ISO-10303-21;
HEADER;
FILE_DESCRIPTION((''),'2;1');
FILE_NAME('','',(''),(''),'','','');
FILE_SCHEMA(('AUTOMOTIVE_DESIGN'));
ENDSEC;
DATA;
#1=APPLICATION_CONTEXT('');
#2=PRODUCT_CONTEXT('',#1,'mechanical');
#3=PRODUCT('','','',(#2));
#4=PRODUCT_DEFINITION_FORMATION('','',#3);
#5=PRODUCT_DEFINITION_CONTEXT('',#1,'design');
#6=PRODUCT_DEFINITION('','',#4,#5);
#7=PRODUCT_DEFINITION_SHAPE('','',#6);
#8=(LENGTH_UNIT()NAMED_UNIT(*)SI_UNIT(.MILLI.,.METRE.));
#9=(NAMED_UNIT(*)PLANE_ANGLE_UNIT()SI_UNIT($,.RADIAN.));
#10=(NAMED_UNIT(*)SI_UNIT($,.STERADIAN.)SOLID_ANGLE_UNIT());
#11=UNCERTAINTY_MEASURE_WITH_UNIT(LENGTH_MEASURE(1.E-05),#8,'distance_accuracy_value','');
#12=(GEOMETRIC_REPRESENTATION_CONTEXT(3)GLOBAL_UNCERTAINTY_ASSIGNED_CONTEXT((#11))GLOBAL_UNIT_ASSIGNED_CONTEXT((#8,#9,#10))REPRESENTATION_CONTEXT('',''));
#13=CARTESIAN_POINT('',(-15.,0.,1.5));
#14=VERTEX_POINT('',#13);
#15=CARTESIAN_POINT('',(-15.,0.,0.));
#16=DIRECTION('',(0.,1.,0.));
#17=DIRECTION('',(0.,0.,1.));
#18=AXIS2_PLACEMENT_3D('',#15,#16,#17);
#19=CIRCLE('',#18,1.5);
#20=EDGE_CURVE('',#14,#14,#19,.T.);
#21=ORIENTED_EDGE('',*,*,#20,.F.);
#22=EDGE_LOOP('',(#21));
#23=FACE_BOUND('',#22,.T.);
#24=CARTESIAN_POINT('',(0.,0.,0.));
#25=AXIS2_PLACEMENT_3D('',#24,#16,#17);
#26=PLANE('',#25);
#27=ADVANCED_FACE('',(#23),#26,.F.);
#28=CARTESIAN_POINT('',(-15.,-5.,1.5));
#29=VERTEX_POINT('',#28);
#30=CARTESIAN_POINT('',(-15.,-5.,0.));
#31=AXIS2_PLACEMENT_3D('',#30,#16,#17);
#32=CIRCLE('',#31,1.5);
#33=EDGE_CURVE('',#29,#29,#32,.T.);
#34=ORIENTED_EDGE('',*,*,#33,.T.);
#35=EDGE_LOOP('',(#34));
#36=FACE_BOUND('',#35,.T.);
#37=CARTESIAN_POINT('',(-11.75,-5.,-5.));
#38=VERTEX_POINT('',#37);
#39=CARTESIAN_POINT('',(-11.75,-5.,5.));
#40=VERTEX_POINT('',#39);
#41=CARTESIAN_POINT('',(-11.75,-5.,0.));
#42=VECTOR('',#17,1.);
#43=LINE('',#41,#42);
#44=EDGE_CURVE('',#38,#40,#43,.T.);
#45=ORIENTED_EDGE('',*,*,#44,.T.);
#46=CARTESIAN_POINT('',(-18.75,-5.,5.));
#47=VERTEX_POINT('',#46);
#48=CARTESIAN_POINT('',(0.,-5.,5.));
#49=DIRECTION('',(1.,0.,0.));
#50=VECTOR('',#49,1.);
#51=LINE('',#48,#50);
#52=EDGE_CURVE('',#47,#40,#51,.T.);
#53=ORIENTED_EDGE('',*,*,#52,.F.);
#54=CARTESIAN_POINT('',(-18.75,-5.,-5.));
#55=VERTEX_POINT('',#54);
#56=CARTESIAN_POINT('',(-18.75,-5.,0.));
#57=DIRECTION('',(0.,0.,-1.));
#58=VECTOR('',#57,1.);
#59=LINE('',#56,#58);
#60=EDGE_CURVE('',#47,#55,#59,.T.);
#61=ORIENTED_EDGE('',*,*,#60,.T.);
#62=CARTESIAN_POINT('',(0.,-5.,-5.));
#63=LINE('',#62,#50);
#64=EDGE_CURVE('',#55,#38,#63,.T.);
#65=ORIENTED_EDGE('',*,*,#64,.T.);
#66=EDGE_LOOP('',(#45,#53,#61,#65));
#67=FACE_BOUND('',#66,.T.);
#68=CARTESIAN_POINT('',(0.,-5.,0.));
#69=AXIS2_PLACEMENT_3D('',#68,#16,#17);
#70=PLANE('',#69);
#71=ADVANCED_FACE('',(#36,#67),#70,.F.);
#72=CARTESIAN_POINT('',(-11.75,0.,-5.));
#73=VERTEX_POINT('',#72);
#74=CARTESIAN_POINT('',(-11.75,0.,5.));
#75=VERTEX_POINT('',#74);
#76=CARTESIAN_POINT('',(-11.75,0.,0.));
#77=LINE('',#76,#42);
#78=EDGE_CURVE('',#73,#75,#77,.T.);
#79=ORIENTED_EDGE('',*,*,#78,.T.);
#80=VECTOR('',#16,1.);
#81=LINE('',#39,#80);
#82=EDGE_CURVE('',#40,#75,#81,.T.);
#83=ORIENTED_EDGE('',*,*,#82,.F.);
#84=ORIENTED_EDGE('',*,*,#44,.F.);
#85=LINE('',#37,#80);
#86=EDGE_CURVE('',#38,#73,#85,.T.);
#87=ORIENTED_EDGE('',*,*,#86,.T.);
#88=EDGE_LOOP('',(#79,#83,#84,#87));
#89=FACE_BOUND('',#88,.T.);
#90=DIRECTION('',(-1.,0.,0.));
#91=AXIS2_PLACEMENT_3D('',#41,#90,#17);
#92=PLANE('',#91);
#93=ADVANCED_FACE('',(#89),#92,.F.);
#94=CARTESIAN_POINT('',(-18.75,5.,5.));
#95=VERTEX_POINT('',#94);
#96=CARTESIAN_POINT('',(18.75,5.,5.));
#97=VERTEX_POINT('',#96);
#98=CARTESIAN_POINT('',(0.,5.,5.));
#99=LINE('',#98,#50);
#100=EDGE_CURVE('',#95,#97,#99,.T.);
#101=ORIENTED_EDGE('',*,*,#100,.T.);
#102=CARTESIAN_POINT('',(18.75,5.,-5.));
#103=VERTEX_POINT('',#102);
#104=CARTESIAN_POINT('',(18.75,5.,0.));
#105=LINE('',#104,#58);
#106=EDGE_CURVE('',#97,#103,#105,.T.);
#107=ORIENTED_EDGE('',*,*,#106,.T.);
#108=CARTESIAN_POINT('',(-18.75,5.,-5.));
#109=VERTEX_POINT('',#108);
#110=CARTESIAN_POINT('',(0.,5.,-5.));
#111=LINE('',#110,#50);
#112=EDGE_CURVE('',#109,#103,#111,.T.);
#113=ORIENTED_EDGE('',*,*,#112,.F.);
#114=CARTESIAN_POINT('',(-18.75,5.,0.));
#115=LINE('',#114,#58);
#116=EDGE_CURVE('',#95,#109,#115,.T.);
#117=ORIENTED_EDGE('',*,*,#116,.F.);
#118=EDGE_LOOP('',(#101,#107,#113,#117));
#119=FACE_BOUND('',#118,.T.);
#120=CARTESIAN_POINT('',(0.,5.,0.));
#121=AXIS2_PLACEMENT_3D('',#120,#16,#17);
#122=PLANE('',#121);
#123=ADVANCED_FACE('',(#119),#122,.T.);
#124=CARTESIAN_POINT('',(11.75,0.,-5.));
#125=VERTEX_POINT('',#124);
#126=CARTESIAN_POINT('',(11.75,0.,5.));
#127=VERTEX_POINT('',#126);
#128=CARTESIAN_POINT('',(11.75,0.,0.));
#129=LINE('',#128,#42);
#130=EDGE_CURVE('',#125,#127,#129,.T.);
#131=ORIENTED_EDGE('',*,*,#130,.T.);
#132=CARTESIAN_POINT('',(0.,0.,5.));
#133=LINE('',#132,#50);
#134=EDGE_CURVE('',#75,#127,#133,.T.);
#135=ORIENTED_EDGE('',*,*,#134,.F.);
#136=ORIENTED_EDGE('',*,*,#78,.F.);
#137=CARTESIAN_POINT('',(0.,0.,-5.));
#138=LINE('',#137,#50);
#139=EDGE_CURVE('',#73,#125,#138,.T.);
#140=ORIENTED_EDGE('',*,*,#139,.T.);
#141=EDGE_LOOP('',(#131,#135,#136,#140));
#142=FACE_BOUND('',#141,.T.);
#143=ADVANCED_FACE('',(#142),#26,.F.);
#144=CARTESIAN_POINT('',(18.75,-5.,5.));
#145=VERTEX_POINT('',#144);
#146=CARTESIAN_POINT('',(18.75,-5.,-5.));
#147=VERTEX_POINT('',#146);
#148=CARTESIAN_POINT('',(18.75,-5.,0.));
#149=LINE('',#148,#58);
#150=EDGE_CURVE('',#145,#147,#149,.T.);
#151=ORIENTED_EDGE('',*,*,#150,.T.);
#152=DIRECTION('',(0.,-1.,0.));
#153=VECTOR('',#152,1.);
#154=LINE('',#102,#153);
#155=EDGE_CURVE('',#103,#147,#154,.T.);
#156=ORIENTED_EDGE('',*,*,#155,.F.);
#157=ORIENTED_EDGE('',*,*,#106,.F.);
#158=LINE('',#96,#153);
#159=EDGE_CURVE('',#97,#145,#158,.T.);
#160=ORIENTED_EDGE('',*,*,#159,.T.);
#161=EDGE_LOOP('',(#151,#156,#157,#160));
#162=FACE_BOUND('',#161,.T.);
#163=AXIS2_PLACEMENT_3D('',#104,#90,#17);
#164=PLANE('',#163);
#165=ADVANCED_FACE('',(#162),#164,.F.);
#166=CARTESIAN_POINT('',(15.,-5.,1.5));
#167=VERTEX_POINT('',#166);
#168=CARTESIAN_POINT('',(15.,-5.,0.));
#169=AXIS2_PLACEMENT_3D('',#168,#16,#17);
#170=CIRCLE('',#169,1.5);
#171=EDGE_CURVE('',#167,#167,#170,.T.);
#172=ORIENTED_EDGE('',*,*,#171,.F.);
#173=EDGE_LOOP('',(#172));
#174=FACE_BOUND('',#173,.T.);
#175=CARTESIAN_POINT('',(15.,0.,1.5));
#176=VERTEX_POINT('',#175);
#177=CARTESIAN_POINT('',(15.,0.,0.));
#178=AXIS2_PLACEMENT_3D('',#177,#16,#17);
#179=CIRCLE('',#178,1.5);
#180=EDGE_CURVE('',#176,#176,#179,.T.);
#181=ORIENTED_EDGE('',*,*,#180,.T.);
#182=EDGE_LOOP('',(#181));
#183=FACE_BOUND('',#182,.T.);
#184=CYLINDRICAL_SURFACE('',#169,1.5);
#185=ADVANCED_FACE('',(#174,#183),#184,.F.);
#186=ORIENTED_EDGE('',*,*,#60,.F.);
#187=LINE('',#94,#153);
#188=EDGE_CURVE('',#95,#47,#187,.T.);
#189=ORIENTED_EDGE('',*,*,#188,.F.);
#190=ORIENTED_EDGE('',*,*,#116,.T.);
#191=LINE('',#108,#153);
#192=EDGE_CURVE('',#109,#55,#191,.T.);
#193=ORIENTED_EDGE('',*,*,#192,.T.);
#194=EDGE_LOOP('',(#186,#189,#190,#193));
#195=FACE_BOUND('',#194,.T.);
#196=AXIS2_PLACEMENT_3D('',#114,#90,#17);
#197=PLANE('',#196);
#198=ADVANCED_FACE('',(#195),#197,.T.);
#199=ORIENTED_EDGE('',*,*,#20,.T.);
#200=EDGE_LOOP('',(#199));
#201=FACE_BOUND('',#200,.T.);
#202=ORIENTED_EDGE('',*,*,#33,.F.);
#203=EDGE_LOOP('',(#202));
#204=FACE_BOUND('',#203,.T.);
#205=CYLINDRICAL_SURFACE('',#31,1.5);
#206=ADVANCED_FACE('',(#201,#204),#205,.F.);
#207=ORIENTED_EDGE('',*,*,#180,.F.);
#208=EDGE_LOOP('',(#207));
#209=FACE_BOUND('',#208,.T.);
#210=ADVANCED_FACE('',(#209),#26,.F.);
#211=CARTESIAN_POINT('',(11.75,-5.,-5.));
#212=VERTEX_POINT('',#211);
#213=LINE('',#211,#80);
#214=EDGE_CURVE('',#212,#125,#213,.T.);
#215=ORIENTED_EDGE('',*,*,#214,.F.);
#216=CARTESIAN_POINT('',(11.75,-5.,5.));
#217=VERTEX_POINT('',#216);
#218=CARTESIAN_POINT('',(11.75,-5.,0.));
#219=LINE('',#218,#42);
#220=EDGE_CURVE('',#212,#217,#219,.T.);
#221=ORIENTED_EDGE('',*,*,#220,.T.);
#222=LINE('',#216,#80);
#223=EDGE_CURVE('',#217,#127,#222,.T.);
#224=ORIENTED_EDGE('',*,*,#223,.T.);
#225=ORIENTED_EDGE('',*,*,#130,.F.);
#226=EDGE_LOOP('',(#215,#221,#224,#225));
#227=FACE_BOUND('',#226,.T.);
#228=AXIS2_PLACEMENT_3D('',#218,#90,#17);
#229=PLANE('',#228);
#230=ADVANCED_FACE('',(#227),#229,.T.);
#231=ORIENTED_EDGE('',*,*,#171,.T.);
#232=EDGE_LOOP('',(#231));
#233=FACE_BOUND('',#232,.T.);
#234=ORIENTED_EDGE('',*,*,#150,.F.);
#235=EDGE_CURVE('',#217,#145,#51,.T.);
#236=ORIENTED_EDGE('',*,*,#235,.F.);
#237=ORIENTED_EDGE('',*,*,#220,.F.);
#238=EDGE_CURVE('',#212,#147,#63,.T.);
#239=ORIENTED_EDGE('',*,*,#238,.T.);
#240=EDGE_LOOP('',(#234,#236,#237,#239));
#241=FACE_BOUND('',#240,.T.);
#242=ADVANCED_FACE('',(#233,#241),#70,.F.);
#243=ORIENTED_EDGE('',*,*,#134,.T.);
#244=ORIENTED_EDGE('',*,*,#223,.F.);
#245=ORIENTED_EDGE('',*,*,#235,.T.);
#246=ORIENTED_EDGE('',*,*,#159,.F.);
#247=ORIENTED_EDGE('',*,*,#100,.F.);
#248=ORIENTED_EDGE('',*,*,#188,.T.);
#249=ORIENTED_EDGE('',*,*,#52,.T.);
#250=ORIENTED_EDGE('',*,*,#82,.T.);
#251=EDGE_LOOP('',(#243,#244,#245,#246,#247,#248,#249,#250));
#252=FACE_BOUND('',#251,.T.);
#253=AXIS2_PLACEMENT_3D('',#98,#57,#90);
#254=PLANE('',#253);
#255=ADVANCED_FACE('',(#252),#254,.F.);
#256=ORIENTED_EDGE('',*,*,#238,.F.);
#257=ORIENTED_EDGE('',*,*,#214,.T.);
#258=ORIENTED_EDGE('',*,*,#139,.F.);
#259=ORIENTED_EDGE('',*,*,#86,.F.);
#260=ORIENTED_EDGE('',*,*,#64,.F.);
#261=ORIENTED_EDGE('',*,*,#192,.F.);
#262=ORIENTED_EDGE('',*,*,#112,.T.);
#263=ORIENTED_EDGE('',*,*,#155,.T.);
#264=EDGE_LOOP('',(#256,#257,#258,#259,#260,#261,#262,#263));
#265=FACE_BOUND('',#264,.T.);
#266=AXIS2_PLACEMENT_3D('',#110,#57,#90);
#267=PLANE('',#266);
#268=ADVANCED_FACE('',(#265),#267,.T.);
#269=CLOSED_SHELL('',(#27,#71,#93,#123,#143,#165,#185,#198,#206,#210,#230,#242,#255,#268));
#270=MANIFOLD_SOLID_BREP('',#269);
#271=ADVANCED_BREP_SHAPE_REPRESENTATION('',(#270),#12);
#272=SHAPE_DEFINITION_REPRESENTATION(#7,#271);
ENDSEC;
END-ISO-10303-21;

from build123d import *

# Parameters (mm, degrees)
CROQUIS1_W              = 37.5
CROQUIS1_H              = 10
SALIENTE_EXTRUIR1_DEPTH = 5
CROQUIS1_3_W            = 7
CROQUIS1_3_H            = 10
CROQUIS1_3_R            = 1.5
SALIENTE_EXTRUIR2_DEPTH = 5


with BuildPart() as part:
    # Croquis1 → Saliente-Extruir1 (new body)
    with BuildSketch(Plane(origin=(0, 0, 0), x_dir=(1, 0, 0), z_dir=(0, 1, 0))):
        Rectangle(CROQUIS1_W, CROQUIS1_H)
    extrude(amount=SALIENTE_EXTRUIR1_DEPTH)

    # Croquis1<3> → Saliente-Extruir2 (add)
    # profile 1 of 2: a face of its own
    with BuildSketch(Plane(origin=(0, 0, 0), x_dir=(1, 0, 0), z_dir=(0, 1, 0))):
        with Locations((-15.25, 0)):
            Rectangle(CROQUIS1_3_W, CROQUIS1_3_H)
        with Locations((-15, 0)):
            Circle(CROQUIS1_3_R, mode=Mode.SUBTRACT)
    # profile 2 of 2: a face of its own
    with BuildSketch(Plane(origin=(0, 0, 0), x_dir=(1, 0, 0), z_dir=(0, 1, 0))):
        with Locations((15.25, 0)):
            Rectangle(CROQUIS1_3_W, CROQUIS1_3_H)
        with Locations((15, 0)):
            Circle(CROQUIS1_3_R, mode=Mode.SUBTRACT)
    extrude(amount=-SALIENTE_EXTRUIR2_DEPTH)


solid = part.part
